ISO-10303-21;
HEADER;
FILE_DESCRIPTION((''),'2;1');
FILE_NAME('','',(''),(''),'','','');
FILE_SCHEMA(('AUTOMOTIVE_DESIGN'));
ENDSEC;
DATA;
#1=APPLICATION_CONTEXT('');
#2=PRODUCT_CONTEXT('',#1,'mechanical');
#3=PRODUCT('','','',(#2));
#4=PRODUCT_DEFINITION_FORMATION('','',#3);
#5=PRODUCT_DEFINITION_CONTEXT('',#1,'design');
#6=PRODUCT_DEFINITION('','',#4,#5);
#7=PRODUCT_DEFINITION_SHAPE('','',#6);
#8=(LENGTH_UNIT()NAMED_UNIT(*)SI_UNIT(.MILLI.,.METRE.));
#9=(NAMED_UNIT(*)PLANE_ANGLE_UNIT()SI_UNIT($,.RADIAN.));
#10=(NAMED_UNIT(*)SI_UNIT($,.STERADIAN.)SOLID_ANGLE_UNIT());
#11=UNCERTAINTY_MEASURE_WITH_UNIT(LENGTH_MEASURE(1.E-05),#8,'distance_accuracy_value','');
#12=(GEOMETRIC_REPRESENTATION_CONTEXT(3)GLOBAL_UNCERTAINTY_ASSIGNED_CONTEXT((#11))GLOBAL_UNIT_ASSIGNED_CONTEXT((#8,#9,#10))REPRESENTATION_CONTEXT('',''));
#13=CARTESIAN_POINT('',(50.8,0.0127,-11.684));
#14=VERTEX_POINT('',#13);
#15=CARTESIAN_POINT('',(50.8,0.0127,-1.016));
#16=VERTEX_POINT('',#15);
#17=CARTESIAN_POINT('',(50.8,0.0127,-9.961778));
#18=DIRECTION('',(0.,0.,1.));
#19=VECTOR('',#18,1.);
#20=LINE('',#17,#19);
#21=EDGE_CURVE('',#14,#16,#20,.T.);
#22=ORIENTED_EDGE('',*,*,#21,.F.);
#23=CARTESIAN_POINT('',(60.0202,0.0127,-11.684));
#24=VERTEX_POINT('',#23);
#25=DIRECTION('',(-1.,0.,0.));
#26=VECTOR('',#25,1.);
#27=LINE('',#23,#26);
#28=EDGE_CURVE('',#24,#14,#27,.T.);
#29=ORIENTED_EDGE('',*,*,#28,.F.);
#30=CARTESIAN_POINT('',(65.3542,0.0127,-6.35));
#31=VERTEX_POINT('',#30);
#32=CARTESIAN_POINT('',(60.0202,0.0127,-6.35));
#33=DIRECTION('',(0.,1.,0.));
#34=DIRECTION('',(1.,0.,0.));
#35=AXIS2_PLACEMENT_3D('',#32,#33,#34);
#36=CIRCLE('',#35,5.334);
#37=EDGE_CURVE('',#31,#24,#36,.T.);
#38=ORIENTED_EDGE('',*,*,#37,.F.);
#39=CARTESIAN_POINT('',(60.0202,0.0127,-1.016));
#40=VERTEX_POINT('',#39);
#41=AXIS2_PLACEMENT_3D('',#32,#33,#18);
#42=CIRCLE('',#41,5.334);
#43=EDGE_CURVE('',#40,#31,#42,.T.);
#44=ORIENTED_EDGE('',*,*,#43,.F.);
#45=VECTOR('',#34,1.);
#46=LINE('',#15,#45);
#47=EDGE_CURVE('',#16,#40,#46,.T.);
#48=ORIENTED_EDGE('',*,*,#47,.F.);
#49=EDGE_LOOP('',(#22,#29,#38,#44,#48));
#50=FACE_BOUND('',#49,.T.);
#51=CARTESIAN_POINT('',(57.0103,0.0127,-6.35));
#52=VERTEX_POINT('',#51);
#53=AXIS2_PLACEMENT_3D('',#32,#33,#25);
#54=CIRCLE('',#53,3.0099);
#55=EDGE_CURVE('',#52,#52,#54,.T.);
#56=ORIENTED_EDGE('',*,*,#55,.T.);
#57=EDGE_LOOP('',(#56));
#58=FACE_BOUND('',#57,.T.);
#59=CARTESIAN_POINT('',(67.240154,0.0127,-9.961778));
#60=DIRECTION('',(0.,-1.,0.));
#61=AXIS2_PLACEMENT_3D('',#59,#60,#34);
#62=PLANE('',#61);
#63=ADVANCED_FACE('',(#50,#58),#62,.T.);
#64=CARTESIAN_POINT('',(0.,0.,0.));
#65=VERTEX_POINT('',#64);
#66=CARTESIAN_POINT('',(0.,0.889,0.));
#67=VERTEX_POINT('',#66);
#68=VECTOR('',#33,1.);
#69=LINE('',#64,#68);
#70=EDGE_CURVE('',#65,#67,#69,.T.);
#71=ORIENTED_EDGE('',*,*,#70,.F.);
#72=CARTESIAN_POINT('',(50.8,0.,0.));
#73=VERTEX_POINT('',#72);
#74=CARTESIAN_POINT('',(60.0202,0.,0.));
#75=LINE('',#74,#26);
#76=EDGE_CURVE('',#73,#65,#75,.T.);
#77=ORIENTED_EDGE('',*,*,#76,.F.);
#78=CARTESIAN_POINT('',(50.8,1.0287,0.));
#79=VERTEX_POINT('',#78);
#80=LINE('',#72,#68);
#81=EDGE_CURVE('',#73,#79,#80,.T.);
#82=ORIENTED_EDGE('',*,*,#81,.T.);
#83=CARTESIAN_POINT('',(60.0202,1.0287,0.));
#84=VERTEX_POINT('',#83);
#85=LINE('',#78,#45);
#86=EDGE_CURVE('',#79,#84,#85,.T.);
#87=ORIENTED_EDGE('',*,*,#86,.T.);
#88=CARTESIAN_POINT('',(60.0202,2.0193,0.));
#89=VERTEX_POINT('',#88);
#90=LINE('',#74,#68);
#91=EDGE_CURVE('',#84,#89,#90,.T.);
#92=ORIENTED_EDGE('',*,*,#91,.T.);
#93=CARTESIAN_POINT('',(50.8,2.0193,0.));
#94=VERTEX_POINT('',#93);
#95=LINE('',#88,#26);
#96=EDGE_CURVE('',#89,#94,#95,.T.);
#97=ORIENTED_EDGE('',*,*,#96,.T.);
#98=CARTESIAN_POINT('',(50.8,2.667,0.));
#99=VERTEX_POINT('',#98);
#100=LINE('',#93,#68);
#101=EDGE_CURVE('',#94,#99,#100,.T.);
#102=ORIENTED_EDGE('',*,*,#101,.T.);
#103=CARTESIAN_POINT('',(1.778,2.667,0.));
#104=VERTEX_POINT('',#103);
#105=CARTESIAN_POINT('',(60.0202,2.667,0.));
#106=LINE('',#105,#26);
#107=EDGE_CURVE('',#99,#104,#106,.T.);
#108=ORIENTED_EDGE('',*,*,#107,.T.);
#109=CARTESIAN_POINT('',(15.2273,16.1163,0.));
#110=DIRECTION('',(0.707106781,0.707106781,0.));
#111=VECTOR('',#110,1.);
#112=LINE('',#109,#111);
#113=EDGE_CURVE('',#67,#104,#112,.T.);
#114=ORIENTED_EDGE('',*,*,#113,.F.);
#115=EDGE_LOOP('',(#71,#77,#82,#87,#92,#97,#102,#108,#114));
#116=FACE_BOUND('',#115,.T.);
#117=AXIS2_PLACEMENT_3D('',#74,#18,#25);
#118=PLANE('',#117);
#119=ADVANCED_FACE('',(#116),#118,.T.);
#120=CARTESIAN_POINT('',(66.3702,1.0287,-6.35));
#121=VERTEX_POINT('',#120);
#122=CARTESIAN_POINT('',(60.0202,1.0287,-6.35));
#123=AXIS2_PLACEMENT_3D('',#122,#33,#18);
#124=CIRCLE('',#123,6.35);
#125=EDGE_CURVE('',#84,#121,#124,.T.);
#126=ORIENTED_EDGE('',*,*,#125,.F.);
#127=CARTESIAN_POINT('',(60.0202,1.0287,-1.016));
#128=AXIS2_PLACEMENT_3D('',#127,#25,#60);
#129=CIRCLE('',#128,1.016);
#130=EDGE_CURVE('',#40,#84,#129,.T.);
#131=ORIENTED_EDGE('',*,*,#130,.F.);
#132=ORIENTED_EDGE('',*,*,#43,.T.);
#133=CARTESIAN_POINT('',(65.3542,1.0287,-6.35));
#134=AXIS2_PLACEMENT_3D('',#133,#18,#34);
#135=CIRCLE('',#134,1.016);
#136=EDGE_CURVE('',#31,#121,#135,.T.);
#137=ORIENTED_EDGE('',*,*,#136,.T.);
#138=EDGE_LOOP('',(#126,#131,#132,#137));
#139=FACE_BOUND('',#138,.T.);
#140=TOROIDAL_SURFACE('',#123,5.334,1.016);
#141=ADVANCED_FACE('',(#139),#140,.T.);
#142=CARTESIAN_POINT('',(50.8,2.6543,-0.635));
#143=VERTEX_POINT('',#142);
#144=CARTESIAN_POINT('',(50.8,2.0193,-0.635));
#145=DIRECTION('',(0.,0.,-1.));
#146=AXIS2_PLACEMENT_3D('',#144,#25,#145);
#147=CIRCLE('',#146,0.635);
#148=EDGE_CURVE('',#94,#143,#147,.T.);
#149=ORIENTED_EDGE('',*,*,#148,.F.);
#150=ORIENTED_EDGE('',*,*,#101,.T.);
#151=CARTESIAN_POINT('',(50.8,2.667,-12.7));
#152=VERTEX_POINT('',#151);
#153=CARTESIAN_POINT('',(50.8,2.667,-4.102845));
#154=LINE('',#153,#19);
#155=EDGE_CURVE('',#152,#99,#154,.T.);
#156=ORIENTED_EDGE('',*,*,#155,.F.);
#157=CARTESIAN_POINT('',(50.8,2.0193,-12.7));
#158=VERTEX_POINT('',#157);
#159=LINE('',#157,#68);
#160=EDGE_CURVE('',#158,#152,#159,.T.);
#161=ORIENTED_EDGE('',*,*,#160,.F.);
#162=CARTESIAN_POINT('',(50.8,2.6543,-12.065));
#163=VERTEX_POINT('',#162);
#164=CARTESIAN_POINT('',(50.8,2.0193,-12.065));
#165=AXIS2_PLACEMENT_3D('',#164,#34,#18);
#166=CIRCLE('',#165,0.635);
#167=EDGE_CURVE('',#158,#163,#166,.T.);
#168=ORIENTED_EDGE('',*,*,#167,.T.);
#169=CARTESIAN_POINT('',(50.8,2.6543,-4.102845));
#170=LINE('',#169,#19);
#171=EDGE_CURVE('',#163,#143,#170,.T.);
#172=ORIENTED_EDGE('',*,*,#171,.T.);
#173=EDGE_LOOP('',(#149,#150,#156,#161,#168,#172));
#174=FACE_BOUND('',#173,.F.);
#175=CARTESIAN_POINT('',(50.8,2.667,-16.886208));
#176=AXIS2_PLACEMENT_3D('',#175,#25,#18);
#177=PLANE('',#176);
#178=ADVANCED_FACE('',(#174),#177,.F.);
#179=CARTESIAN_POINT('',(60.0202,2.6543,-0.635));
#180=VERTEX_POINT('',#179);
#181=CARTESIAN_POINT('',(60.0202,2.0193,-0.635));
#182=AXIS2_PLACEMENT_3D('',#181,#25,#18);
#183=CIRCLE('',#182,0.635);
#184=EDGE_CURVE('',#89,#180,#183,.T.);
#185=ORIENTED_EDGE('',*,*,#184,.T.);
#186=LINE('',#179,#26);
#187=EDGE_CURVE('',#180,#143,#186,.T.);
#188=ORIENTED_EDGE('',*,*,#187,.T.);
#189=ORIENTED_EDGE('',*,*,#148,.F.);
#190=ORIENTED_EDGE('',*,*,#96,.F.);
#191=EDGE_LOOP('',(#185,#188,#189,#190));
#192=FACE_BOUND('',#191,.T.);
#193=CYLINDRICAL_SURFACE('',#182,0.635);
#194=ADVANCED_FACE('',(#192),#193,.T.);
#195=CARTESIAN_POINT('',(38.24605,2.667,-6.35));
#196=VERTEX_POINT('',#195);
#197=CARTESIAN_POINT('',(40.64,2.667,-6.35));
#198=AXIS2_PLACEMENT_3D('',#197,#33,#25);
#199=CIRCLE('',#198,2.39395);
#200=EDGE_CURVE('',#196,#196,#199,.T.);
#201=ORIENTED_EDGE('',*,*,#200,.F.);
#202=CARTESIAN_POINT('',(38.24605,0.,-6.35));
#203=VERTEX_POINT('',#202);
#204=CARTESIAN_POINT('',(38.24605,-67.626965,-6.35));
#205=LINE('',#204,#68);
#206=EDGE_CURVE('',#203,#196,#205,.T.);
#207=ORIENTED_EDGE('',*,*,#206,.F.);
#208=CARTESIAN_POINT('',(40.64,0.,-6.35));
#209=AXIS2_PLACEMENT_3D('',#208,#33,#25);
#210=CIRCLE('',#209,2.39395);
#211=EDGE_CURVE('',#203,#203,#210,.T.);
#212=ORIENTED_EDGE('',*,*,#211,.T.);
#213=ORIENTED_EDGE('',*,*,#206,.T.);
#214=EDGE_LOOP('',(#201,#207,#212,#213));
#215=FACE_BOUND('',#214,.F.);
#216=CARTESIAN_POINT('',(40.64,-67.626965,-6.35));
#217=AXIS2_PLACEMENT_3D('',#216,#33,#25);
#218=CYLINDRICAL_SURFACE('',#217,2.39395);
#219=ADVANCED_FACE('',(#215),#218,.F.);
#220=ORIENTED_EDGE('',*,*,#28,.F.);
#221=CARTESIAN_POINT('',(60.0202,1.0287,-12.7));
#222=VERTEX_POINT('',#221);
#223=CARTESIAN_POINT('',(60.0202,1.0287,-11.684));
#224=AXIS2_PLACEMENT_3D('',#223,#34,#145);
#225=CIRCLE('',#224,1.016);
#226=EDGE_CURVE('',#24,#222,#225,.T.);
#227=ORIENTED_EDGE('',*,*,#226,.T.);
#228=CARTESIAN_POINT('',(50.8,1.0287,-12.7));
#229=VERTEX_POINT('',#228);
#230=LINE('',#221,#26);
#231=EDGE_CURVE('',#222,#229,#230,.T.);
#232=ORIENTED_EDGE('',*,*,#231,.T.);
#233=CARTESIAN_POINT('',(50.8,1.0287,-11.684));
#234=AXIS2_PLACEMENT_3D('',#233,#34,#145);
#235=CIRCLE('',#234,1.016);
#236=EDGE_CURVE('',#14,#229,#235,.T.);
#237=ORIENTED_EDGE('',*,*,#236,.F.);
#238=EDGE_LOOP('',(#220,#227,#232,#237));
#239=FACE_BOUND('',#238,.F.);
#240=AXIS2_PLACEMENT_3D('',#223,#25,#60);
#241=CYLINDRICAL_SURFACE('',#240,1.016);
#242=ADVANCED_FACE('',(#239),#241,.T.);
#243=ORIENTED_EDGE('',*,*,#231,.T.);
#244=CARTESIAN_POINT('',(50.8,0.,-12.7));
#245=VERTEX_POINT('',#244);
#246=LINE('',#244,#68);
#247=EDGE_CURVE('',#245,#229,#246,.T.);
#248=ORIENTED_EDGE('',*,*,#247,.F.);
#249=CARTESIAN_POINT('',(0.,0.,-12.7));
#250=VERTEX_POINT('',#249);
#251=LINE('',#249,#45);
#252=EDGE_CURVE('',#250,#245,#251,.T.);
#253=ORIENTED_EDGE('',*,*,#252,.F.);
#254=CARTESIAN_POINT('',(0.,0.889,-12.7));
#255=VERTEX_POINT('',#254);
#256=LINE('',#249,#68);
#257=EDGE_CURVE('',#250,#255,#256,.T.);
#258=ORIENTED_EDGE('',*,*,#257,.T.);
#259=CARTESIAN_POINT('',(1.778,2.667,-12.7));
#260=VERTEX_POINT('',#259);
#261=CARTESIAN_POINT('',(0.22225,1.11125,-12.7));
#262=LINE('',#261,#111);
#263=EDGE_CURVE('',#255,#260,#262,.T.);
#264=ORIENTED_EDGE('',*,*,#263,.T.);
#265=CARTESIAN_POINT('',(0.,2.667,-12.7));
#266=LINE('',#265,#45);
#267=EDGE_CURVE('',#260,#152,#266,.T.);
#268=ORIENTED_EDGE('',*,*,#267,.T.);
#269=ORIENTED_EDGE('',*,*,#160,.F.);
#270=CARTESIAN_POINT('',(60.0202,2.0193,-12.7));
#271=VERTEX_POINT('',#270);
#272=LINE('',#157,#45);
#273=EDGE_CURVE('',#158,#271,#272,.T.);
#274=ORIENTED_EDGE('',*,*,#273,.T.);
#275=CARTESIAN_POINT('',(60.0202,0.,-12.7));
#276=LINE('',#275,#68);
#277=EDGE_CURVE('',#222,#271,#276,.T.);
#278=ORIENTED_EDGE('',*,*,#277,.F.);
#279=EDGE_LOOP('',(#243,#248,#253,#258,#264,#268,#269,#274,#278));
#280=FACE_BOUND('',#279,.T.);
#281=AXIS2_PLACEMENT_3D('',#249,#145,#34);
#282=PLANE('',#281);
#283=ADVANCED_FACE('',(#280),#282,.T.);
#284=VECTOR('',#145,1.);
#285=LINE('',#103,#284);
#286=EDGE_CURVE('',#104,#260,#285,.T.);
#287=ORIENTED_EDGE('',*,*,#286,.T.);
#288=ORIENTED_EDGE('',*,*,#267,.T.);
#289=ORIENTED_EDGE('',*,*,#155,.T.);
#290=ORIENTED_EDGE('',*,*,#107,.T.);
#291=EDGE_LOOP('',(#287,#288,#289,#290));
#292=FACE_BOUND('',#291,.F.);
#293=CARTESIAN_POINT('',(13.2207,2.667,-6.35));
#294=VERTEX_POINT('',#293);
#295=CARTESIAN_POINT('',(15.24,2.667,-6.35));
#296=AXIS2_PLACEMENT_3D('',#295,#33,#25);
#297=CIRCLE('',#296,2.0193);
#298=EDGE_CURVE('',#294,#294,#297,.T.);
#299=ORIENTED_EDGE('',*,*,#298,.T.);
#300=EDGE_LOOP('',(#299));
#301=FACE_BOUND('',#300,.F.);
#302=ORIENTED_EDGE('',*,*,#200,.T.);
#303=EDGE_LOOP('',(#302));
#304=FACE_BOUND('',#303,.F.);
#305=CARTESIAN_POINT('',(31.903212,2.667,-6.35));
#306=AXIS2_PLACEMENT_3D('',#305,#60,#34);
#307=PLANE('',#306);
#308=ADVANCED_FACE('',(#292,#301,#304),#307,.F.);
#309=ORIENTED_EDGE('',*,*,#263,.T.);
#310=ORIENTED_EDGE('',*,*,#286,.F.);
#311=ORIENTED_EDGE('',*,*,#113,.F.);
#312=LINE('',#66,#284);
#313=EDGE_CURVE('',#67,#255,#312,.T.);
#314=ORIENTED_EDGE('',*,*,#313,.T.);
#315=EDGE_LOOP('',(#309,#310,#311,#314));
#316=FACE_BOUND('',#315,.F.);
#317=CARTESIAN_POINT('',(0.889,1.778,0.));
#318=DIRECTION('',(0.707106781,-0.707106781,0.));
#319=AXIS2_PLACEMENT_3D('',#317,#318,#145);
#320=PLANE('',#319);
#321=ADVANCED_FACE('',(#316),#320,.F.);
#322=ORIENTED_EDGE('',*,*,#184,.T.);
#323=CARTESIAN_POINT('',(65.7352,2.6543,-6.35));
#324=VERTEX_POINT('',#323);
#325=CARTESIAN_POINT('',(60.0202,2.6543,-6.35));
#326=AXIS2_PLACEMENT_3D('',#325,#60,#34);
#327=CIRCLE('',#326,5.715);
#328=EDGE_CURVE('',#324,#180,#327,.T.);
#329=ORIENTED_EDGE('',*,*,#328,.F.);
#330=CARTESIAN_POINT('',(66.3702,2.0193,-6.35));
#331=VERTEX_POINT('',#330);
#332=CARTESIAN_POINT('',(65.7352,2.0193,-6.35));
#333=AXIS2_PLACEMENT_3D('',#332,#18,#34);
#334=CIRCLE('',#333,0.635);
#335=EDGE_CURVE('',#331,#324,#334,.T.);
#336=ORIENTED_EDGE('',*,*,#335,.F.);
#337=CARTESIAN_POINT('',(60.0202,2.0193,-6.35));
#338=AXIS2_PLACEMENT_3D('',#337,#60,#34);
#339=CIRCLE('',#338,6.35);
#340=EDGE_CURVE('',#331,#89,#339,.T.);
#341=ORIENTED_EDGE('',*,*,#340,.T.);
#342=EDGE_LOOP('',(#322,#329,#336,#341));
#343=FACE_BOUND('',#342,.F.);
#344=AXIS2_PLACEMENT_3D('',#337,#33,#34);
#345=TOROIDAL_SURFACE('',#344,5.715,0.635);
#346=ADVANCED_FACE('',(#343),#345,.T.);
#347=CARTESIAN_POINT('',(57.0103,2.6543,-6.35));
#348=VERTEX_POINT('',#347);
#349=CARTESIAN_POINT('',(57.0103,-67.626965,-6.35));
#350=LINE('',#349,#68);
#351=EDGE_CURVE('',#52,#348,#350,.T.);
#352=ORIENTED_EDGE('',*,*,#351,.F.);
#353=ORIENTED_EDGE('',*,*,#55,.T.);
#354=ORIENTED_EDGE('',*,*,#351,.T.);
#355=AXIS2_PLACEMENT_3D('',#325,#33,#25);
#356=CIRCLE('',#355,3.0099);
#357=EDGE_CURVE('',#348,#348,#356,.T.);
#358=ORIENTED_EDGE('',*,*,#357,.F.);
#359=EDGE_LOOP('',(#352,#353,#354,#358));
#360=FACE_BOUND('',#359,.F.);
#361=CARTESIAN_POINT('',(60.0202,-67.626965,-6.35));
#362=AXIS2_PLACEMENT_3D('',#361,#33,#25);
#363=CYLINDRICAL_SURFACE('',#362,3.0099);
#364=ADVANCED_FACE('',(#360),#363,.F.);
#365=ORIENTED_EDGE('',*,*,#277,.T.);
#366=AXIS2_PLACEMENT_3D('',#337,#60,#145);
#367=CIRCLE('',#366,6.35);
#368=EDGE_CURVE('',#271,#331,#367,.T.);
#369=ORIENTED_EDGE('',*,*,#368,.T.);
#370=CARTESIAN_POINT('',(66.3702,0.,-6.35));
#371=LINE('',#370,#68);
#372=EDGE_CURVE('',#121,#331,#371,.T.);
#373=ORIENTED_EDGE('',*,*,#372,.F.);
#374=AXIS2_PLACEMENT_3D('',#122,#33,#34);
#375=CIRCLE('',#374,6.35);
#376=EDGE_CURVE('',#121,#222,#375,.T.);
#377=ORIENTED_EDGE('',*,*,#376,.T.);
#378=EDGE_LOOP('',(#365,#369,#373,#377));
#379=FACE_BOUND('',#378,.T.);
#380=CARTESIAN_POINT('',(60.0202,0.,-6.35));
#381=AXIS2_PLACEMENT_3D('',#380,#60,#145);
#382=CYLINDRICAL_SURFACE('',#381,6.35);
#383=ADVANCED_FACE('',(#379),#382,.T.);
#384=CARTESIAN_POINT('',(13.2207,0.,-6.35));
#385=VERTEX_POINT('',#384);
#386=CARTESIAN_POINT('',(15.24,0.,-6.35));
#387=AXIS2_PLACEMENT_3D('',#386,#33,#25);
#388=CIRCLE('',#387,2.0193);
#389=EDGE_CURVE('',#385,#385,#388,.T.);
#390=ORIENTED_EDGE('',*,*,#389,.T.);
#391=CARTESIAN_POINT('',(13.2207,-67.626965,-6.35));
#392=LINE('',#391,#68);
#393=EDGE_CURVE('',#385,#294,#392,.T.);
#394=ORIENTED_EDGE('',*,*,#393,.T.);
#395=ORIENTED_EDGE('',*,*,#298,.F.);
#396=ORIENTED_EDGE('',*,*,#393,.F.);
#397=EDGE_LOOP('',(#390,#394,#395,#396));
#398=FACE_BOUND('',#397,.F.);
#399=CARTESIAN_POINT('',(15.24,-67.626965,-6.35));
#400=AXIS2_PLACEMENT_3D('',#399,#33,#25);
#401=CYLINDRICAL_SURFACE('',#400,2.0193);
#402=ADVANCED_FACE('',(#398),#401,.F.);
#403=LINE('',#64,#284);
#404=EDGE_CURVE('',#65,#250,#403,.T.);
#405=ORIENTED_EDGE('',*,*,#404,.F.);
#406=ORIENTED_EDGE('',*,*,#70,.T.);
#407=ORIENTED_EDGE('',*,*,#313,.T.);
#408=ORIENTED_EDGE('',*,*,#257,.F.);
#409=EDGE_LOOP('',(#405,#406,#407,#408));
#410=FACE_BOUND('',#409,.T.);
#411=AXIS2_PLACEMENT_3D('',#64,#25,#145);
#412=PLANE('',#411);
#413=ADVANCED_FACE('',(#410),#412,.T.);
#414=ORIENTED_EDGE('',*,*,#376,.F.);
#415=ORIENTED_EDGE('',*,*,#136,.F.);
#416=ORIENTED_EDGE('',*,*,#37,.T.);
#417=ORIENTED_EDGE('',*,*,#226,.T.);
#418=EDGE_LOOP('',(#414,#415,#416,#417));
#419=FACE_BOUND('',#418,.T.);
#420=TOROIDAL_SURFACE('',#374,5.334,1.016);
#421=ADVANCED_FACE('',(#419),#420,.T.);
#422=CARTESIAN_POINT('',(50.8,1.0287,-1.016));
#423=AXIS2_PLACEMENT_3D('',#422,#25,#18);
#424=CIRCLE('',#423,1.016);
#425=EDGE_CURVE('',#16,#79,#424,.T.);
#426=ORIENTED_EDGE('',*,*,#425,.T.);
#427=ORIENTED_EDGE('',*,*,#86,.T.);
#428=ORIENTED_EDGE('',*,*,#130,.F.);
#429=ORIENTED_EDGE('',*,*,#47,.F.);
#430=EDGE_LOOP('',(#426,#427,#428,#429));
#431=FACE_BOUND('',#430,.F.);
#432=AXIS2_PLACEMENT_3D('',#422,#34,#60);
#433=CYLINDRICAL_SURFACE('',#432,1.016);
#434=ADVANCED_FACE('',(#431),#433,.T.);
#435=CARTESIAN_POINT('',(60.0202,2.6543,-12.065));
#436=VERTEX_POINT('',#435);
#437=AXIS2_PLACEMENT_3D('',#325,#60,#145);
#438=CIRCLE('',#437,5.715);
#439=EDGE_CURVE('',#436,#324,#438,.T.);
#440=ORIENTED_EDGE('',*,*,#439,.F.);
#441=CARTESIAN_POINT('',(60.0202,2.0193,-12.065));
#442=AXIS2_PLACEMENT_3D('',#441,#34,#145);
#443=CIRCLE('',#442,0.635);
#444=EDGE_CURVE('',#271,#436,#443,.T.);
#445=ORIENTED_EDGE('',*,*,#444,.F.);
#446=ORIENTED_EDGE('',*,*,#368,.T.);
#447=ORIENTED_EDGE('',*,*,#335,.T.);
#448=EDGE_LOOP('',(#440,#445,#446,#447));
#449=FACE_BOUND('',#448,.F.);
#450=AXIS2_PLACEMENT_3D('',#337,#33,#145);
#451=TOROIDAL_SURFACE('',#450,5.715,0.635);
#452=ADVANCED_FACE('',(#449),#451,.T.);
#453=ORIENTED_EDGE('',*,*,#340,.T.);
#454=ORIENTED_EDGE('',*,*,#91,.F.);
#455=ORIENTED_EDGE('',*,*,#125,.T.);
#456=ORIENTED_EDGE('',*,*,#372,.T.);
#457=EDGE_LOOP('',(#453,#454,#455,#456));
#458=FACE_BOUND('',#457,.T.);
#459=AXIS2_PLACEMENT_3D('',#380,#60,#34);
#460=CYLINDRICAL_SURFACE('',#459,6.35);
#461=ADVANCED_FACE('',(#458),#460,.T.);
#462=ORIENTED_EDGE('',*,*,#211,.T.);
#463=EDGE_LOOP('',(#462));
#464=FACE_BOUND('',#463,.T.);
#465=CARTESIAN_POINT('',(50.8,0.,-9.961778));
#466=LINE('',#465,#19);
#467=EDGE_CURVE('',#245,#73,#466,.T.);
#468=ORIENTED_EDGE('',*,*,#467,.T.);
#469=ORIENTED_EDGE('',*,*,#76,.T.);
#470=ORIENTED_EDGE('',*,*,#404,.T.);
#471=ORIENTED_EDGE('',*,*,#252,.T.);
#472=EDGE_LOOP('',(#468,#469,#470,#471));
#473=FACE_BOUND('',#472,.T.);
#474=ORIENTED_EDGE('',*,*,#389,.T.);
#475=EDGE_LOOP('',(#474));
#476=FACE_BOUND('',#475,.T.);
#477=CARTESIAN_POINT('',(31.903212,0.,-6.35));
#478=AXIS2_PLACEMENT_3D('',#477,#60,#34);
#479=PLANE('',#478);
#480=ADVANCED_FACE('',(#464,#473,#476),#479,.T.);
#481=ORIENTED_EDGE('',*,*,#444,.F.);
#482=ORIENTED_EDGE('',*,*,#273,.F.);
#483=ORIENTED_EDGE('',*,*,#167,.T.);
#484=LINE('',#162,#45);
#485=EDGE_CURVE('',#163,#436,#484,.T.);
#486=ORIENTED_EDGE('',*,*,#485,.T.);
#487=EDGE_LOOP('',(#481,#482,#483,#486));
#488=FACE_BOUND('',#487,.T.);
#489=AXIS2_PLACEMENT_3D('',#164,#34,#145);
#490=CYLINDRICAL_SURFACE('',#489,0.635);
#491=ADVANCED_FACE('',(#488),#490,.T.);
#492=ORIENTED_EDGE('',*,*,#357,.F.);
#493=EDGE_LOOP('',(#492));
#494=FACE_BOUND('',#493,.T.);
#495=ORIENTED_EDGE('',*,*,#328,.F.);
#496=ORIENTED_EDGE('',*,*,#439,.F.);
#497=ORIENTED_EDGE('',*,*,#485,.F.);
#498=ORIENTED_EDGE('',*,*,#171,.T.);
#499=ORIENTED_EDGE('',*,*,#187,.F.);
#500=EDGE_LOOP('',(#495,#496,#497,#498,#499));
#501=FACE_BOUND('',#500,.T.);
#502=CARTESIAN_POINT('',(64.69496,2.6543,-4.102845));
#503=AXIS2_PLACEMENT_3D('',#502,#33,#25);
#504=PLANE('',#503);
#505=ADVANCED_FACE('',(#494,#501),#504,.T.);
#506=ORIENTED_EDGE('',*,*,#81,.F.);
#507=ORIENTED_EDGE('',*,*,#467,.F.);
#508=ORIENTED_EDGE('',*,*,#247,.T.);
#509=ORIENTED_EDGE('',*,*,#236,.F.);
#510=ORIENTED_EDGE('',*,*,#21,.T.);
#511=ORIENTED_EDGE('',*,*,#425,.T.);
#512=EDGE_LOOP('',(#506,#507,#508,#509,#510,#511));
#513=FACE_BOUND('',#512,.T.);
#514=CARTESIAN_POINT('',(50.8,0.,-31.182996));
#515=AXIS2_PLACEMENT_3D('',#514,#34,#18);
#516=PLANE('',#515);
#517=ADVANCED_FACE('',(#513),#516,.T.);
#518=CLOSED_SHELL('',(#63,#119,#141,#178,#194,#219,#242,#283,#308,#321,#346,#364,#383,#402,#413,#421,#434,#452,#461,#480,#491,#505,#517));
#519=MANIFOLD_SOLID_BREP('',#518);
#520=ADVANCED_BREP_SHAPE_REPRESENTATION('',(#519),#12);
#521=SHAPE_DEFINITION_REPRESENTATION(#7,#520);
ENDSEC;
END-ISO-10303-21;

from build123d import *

# Parameters (mm, degrees)
F1_DEPTH  = 2.667
F3_D      = 6.0198
F4_D      = 4.7879
F5_D      = 4.0386
F6_W      = 32.8803089343
F6_H      = 42.4424372282
F7_DEPTH  = 0.0127
F8_W      = 27.7899198272
F8_H      = 25.566725319
F9_DEPTH  = 0.0127
F10_R     = 1.016
F11_R     = 0.635
F12_SIZE2 = 1.778
F12_SIZE  = 1.778


with BuildPart() as f1:
    # F0 (on Front) → F1 (new body)
    with BuildSketch(Plane.XZ):
        with BuildLine():
            Line((60.0202, 0), (0, 0))
            Line((0, 0), (0, -12.7))
            Line((0, -12.7), (60.0202, -12.7))
            ThreePointArc((60.0202, -12.7), (64.5103280605, -10.8401280605), (66.3702, -6.35))
            ThreePointArc((66.3702, -6.35), (64.5103280605, -1.8598719395), (60.0202, 0))
        make_face()
    extrude(amount=-F1_DEPTH)

    # F3 (through all)
    with Locations(Plane.XZ):
        with Locations((60.0202, -6.35)):
            Hole(F3_D / 2)

    # F4 (through all)
    with Locations(Plane.XZ):
        with Locations((40.64, -6.35)):
            Hole(F4_D / 2)

    # F5 (through all)
    with Locations(Plane.XZ):
        with Locations((15.24, -6.35)):
            Hole(F5_D / 2)

    # F6 (on face) → F7 (cut)
    with BuildSketch(Plane.XZ):
        with Locations((67.2401544672, -9.9617778324)):
            Rectangle(F6_W, F6_H)
    extrude(amount=-F7_DEPTH, mode=Mode.SUBTRACT)

    # F8 (on face) → F9 (cut)
    with BuildSketch(Plane(origin=(0, 2.667, 0), x_dir=(-1, 0, 0), z_dir=(0, 1, 0))):
        with Locations((-64.6949599136, -4.1028452106)):
            Rectangle(F8_W, F8_H)
    extrude(amount=-F9_DEPTH, mode=Mode.SUBTRACT)

    # F10
    f10_edges = [f1.edges().sort_by_distance(p)[0] for p in [
        (55.4101, 0.0127, -12.7),
    ]]
    fillet(f10_edges, radius=F10_R)

    # F11
    f11_edges = [f1.edges().sort_by_distance(p)[0] for p in [
        (55.4101, 2.6543, 0),
    ]]
    fillet(f11_edges, radius=F11_R)

    # F12
    f12_edges = [f1.edges().sort_by_distance(p)[0] for p in [
        (0, 2.667, -6.35),
    ]]
    chamfer(f12_edges, length=F12_SIZE, length2=F12_SIZE2)


solid = f1.part
